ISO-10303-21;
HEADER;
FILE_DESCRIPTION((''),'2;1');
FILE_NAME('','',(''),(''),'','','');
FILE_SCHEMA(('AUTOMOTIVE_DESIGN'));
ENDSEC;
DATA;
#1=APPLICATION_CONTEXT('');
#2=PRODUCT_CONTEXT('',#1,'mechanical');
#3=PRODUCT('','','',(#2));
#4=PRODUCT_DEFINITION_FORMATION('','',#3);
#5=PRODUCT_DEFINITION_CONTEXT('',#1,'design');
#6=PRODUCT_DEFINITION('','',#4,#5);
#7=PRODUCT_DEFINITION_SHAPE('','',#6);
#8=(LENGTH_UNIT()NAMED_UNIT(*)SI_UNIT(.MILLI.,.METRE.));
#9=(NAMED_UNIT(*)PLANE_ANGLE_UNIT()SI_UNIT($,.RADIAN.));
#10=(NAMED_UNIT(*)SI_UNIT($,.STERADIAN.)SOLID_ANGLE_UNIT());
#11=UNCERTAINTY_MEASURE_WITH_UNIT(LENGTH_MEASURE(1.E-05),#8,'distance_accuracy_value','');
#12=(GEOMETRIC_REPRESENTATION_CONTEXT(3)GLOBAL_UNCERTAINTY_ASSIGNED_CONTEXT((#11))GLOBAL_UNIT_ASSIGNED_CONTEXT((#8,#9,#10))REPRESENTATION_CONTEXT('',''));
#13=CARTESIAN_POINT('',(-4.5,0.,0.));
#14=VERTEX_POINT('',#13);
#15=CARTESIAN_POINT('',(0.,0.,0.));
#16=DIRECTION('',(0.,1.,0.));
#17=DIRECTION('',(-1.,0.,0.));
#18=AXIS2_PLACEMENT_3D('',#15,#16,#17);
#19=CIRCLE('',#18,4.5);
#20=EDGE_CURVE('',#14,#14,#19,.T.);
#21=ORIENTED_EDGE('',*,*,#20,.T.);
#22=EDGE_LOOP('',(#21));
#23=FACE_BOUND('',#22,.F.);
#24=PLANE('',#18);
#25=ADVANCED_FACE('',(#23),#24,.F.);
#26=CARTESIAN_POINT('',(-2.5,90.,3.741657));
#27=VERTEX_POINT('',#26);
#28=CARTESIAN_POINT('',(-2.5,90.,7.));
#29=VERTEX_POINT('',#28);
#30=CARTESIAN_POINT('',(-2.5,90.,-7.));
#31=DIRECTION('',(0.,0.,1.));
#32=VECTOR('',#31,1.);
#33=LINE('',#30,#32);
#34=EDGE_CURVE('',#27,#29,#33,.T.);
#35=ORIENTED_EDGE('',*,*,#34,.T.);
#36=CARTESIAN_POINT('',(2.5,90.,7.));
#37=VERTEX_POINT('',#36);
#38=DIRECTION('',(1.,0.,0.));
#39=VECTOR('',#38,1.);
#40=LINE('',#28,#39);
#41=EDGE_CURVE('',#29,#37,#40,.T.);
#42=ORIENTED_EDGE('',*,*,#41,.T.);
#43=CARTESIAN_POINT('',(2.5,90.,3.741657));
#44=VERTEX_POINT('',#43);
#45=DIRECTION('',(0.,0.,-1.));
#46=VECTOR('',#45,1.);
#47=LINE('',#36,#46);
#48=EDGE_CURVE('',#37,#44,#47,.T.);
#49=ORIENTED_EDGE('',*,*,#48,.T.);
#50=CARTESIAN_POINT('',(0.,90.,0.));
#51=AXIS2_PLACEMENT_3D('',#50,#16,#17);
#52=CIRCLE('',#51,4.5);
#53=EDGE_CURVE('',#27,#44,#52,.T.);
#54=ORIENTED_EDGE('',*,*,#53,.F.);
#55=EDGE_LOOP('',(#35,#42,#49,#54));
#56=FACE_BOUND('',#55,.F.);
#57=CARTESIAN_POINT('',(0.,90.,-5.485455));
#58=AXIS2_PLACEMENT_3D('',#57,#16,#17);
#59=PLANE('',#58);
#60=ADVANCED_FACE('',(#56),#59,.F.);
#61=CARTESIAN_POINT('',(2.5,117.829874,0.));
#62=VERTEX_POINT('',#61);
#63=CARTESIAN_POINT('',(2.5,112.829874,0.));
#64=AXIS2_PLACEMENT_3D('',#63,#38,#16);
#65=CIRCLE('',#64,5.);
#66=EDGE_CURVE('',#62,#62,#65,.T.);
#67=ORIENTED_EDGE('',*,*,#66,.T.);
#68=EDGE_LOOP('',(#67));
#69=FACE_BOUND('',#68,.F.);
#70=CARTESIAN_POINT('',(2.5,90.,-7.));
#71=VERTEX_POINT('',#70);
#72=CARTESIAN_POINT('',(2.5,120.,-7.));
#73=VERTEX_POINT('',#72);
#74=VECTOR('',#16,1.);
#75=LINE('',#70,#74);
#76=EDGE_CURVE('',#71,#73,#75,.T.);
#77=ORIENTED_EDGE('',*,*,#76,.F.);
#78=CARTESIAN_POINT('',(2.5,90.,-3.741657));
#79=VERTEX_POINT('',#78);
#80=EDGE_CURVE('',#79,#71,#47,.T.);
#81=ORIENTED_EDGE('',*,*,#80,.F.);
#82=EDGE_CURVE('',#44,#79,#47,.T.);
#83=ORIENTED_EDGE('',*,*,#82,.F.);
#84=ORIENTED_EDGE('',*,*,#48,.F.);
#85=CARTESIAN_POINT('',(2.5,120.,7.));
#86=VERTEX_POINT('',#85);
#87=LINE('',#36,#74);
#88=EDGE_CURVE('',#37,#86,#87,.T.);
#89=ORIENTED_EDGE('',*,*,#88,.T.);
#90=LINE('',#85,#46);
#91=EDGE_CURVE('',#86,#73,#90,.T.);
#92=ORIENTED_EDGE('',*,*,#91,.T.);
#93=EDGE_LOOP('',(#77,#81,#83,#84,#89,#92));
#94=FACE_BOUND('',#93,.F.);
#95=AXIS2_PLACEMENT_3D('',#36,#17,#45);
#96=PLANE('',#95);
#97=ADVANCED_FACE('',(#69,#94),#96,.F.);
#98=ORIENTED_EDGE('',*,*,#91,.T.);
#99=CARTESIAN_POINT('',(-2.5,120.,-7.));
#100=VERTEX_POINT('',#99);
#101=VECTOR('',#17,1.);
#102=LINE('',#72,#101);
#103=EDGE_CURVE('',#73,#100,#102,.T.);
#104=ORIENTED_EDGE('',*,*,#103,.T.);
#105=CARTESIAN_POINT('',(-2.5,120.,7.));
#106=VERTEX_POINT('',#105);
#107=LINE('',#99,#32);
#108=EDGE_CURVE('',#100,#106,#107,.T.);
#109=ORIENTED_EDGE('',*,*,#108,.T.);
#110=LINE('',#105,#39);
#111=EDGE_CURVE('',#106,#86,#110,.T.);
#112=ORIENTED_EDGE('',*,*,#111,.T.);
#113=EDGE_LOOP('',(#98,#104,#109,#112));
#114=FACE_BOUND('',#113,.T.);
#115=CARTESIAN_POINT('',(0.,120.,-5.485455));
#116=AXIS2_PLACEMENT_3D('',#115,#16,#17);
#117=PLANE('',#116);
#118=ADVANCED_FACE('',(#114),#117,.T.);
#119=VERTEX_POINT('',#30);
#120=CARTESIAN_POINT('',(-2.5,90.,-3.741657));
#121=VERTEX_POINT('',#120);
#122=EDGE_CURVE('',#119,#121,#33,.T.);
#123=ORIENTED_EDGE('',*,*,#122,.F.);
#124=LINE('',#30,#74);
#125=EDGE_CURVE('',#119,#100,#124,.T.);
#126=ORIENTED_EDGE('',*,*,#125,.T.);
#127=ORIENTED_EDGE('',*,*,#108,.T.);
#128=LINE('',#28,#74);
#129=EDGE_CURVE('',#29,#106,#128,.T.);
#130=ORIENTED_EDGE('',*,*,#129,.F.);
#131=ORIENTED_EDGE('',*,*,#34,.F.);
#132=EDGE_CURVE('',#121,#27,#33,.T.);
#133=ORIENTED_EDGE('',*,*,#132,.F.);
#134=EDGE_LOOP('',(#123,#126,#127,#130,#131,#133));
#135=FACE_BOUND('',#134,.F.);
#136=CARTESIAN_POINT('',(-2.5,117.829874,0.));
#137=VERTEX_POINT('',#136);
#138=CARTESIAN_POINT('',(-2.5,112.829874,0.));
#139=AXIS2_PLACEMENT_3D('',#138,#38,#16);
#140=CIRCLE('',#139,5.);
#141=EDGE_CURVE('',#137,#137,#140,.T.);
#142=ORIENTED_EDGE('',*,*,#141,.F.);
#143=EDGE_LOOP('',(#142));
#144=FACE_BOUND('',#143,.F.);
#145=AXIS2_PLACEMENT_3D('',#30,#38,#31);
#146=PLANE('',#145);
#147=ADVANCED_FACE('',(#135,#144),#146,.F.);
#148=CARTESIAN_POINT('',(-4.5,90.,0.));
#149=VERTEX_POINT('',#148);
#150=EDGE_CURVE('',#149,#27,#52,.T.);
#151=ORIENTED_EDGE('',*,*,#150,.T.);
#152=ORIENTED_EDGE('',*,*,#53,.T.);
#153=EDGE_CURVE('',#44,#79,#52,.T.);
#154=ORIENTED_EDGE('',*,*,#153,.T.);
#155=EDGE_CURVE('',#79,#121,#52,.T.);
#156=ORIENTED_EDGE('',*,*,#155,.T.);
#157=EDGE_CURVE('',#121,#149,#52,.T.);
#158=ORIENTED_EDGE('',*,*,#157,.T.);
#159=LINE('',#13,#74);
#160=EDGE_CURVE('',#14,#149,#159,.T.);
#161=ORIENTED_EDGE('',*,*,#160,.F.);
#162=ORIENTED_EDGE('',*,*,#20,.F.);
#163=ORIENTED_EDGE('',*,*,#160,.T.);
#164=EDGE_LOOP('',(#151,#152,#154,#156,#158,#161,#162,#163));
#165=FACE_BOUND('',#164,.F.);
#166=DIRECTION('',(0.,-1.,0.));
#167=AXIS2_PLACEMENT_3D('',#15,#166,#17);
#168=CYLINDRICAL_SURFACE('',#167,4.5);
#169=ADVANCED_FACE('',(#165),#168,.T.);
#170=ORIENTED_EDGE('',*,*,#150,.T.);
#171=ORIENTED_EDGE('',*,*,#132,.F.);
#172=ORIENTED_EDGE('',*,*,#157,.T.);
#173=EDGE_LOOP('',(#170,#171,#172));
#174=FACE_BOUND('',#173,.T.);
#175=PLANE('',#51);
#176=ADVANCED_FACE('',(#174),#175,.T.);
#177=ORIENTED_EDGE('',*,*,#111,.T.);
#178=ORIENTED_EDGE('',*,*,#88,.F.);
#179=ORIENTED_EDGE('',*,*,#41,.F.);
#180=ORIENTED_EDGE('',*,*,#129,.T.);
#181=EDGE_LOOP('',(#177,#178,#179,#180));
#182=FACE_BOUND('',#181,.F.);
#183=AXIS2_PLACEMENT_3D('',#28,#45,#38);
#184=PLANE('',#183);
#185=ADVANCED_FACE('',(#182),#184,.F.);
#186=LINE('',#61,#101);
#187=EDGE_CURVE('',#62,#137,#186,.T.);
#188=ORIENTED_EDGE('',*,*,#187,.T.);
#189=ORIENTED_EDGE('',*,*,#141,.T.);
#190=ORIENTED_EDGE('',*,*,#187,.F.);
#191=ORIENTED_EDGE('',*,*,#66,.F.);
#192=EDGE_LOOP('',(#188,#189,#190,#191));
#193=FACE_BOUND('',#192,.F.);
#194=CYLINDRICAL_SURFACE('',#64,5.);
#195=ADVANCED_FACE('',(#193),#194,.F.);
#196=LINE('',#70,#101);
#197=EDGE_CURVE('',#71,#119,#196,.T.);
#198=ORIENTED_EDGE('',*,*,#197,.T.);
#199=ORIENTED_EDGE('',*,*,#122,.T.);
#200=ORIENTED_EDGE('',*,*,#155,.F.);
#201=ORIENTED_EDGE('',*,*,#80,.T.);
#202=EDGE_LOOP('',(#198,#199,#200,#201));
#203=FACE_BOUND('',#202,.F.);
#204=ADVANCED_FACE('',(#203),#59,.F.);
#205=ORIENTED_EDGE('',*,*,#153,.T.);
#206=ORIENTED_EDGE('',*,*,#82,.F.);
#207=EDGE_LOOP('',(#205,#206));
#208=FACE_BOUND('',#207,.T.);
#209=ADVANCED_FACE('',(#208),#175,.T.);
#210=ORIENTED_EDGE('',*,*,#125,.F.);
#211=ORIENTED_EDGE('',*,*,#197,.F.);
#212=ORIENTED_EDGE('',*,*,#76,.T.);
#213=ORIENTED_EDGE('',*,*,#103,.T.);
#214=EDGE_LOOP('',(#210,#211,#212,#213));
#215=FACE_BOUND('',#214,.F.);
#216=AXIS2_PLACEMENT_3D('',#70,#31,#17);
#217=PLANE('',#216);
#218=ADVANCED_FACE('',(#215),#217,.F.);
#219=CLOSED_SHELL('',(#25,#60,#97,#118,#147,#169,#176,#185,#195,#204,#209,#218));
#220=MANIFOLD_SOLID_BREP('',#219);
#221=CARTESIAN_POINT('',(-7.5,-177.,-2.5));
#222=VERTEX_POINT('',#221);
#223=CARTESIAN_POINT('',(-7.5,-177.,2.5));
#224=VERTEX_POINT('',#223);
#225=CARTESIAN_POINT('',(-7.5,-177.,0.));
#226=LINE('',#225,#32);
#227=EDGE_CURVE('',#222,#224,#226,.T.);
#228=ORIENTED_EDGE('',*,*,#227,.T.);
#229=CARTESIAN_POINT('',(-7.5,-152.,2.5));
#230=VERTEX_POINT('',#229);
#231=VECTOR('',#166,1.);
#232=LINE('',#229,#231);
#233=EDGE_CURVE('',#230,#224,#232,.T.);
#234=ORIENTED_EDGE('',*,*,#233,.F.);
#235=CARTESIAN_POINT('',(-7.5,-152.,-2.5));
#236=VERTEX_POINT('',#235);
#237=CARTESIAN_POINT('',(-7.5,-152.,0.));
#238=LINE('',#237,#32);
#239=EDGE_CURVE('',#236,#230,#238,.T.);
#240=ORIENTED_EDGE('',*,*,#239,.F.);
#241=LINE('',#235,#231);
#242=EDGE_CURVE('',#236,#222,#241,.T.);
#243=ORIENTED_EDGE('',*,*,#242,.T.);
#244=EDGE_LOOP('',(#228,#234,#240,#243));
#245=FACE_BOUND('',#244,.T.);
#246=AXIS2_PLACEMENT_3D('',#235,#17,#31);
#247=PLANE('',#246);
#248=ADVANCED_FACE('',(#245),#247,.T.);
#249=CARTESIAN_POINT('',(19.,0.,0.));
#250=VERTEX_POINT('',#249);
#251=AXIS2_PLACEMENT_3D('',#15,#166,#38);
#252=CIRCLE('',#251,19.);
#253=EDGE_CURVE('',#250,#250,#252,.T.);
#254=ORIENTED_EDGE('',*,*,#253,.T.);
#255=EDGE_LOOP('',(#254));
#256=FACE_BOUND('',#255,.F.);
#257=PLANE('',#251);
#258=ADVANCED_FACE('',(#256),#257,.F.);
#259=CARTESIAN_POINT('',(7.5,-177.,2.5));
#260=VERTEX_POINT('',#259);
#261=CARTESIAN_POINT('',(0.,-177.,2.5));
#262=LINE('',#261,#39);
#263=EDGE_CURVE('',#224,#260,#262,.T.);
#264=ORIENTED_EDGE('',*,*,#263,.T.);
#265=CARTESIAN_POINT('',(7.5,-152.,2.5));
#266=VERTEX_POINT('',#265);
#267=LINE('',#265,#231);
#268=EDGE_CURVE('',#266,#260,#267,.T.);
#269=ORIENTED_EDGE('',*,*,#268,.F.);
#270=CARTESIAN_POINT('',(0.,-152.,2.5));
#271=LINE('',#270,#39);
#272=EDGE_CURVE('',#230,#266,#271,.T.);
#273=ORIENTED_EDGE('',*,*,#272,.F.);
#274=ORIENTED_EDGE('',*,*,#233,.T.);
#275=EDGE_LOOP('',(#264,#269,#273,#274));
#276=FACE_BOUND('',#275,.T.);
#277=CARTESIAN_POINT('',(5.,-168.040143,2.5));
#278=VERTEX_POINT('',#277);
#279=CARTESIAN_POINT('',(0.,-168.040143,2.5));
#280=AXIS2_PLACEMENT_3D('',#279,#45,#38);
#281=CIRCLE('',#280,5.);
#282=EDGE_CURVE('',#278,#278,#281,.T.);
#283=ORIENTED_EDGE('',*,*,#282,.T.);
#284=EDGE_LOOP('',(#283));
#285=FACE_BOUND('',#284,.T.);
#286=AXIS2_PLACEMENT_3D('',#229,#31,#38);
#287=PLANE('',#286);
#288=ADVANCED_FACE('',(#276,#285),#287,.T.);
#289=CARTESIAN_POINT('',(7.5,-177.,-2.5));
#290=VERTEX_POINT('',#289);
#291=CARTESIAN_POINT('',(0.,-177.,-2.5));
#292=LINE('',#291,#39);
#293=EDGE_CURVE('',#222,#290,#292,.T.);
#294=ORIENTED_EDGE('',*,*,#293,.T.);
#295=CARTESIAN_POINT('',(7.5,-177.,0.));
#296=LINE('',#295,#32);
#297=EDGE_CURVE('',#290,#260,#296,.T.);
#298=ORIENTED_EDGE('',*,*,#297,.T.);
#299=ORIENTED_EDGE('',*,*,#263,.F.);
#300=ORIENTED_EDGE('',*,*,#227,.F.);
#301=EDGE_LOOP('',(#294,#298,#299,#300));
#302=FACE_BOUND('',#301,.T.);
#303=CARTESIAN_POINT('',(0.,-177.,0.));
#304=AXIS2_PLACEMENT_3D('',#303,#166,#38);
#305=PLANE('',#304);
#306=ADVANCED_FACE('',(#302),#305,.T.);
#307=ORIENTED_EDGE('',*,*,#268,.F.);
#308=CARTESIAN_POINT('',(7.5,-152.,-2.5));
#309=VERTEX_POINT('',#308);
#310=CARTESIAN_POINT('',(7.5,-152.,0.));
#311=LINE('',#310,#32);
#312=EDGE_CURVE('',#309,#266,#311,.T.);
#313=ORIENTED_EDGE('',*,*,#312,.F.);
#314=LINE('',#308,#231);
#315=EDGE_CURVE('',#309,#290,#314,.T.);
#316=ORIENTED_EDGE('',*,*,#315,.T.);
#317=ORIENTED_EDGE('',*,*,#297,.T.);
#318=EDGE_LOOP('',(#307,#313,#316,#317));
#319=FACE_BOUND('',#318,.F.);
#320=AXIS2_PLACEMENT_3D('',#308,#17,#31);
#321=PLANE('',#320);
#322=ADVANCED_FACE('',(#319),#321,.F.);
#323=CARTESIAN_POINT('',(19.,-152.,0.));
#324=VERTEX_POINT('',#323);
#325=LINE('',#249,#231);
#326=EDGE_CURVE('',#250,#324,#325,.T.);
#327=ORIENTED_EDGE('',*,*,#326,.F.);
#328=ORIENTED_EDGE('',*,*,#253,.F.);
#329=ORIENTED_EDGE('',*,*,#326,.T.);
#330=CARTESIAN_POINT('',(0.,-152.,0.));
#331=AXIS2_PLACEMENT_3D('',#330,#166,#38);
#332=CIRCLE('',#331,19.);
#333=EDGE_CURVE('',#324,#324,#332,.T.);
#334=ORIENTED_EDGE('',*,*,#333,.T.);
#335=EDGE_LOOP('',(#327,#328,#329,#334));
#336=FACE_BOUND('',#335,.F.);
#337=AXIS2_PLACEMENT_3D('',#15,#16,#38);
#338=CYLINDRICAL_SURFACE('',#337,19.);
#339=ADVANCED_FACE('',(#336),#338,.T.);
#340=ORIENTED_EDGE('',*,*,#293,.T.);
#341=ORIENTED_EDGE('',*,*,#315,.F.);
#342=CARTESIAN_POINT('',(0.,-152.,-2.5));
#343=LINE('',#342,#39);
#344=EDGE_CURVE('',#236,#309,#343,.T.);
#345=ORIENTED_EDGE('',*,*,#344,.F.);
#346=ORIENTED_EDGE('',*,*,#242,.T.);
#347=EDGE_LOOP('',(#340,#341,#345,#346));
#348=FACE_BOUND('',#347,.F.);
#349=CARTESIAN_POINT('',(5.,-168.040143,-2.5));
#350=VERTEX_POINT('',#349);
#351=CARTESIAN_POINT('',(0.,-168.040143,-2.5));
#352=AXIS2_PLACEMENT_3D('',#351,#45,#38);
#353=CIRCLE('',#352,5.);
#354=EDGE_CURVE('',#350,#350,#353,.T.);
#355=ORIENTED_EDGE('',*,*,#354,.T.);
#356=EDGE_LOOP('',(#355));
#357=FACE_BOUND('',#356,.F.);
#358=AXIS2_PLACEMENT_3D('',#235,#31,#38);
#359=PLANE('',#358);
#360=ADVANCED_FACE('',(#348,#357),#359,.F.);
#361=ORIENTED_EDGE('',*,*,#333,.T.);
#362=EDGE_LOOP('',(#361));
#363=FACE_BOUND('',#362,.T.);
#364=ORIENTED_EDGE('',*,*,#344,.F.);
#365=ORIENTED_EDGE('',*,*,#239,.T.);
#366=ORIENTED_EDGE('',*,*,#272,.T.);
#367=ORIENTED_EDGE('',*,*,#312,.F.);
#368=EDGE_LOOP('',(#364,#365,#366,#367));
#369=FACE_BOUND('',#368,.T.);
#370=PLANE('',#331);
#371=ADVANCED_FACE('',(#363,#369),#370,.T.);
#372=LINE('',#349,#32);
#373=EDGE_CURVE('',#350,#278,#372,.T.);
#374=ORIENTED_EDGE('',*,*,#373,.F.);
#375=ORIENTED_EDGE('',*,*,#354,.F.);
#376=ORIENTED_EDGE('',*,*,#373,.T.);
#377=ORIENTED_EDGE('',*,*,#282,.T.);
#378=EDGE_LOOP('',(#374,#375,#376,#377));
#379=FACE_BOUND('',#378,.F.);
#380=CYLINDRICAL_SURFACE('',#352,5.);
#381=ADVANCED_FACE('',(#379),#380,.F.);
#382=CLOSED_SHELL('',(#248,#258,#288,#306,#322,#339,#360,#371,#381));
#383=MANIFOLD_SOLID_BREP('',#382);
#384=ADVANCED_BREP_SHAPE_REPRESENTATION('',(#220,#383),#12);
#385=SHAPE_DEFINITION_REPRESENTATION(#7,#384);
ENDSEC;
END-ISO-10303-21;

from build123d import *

# Parameters (mm, degrees)
F0_R      = 19
F1_DEPTH  = 152
F2_R      = 4.5
F3_DEPTH  = 90
F5_DEPTH  = 30
F6_R      = 5
F7_DEPTH  = 25
F8_W      = 15
F8_H      = 5
F9_DEPTH  = 25
F10_R     = 5
F11_DEPTH = 25


with BuildPart() as f1:
    # F0 (on Front) → F1 (new body)
    with BuildSketch(Plane.XZ):
        Circle(F0_R)
    extrude(amount=F1_DEPTH)

    # F8 (on face) → F9 (join)
    with BuildSketch(Plane.XZ.offset(152)):
        Rectangle(F8_W, F8_H)
    extrude(amount=F9_DEPTH)

    # F10 (on face) → F11 (cut)
    with BuildSketch(Plane(origin=(0, 0, -2.5), x_dir=(1, 0, 0), z_dir=(0, 0, -1))):
        with Locations((0, 168.0401433565)):
            Circle(F10_R)
    extrude(amount=-F11_DEPTH, mode=Mode.SUBTRACT)


with BuildPart() as f3:
    # F2 (on face) → F3 (new body)
    with BuildSketch(Plane(origin=(0, 0, 0), x_dir=(-1, 0, 0), z_dir=(0, 1, 0))):
        Circle(F2_R)
    extrude(amount=F3_DEPTH)

    # F4 (on face) → F5 (join)
    with BuildSketch(Plane(origin=(0, 90, 0), x_dir=(-1, 0, 0), z_dir=(0, 1, 0))):
        with BuildLine():
            Line((2.5, -7), (2.5, -3.7416573868))
            ThreePointArc((2.5, -3.7416573868), (0, -4.5), (-2.5, -3.7416573868))
            Line((-2.5, -3.7416573868), (-2.5, -7))
            Line((-2.5, -7), (2.5, -7))
        make_face()
        with BuildLine():
            Line((2.5, -3.7416573868), (2.5, 3.7416573868))
            ThreePointArc((2.5, 3.7416573868), (0, 4.5), (-2.5, 3.7416573868))
            Line((-2.5, 3.7416573868), (-2.5, -3.7416573868))
            ThreePointArc((-2.5, -3.7416573868), (0, -4.5), (2.5, -3.7416573868))
        make_face()
        with BuildLine():
            Line((2.5, 3.7416573868), (2.5, 7))
            Line((2.5, 7), (-2.5, 7))
            Line((-2.5, 7), (-2.5, 3.7416573868))
            ThreePointArc((-2.5, 3.7416573868), (0, 4.5), (2.5, 3.7416573868))
        make_face()
    extrude(amount=F5_DEPTH)

    # F6 (on face) → F7 (cut)
    with BuildSketch(Plane.YZ.offset(2.5)):
        with Locations((112.8298740598, 0)):
            Circle(F6_R)
    extrude(amount=-F7_DEPTH, mode=Mode.SUBTRACT)


solid = Compound([f1.part, f3.part])
